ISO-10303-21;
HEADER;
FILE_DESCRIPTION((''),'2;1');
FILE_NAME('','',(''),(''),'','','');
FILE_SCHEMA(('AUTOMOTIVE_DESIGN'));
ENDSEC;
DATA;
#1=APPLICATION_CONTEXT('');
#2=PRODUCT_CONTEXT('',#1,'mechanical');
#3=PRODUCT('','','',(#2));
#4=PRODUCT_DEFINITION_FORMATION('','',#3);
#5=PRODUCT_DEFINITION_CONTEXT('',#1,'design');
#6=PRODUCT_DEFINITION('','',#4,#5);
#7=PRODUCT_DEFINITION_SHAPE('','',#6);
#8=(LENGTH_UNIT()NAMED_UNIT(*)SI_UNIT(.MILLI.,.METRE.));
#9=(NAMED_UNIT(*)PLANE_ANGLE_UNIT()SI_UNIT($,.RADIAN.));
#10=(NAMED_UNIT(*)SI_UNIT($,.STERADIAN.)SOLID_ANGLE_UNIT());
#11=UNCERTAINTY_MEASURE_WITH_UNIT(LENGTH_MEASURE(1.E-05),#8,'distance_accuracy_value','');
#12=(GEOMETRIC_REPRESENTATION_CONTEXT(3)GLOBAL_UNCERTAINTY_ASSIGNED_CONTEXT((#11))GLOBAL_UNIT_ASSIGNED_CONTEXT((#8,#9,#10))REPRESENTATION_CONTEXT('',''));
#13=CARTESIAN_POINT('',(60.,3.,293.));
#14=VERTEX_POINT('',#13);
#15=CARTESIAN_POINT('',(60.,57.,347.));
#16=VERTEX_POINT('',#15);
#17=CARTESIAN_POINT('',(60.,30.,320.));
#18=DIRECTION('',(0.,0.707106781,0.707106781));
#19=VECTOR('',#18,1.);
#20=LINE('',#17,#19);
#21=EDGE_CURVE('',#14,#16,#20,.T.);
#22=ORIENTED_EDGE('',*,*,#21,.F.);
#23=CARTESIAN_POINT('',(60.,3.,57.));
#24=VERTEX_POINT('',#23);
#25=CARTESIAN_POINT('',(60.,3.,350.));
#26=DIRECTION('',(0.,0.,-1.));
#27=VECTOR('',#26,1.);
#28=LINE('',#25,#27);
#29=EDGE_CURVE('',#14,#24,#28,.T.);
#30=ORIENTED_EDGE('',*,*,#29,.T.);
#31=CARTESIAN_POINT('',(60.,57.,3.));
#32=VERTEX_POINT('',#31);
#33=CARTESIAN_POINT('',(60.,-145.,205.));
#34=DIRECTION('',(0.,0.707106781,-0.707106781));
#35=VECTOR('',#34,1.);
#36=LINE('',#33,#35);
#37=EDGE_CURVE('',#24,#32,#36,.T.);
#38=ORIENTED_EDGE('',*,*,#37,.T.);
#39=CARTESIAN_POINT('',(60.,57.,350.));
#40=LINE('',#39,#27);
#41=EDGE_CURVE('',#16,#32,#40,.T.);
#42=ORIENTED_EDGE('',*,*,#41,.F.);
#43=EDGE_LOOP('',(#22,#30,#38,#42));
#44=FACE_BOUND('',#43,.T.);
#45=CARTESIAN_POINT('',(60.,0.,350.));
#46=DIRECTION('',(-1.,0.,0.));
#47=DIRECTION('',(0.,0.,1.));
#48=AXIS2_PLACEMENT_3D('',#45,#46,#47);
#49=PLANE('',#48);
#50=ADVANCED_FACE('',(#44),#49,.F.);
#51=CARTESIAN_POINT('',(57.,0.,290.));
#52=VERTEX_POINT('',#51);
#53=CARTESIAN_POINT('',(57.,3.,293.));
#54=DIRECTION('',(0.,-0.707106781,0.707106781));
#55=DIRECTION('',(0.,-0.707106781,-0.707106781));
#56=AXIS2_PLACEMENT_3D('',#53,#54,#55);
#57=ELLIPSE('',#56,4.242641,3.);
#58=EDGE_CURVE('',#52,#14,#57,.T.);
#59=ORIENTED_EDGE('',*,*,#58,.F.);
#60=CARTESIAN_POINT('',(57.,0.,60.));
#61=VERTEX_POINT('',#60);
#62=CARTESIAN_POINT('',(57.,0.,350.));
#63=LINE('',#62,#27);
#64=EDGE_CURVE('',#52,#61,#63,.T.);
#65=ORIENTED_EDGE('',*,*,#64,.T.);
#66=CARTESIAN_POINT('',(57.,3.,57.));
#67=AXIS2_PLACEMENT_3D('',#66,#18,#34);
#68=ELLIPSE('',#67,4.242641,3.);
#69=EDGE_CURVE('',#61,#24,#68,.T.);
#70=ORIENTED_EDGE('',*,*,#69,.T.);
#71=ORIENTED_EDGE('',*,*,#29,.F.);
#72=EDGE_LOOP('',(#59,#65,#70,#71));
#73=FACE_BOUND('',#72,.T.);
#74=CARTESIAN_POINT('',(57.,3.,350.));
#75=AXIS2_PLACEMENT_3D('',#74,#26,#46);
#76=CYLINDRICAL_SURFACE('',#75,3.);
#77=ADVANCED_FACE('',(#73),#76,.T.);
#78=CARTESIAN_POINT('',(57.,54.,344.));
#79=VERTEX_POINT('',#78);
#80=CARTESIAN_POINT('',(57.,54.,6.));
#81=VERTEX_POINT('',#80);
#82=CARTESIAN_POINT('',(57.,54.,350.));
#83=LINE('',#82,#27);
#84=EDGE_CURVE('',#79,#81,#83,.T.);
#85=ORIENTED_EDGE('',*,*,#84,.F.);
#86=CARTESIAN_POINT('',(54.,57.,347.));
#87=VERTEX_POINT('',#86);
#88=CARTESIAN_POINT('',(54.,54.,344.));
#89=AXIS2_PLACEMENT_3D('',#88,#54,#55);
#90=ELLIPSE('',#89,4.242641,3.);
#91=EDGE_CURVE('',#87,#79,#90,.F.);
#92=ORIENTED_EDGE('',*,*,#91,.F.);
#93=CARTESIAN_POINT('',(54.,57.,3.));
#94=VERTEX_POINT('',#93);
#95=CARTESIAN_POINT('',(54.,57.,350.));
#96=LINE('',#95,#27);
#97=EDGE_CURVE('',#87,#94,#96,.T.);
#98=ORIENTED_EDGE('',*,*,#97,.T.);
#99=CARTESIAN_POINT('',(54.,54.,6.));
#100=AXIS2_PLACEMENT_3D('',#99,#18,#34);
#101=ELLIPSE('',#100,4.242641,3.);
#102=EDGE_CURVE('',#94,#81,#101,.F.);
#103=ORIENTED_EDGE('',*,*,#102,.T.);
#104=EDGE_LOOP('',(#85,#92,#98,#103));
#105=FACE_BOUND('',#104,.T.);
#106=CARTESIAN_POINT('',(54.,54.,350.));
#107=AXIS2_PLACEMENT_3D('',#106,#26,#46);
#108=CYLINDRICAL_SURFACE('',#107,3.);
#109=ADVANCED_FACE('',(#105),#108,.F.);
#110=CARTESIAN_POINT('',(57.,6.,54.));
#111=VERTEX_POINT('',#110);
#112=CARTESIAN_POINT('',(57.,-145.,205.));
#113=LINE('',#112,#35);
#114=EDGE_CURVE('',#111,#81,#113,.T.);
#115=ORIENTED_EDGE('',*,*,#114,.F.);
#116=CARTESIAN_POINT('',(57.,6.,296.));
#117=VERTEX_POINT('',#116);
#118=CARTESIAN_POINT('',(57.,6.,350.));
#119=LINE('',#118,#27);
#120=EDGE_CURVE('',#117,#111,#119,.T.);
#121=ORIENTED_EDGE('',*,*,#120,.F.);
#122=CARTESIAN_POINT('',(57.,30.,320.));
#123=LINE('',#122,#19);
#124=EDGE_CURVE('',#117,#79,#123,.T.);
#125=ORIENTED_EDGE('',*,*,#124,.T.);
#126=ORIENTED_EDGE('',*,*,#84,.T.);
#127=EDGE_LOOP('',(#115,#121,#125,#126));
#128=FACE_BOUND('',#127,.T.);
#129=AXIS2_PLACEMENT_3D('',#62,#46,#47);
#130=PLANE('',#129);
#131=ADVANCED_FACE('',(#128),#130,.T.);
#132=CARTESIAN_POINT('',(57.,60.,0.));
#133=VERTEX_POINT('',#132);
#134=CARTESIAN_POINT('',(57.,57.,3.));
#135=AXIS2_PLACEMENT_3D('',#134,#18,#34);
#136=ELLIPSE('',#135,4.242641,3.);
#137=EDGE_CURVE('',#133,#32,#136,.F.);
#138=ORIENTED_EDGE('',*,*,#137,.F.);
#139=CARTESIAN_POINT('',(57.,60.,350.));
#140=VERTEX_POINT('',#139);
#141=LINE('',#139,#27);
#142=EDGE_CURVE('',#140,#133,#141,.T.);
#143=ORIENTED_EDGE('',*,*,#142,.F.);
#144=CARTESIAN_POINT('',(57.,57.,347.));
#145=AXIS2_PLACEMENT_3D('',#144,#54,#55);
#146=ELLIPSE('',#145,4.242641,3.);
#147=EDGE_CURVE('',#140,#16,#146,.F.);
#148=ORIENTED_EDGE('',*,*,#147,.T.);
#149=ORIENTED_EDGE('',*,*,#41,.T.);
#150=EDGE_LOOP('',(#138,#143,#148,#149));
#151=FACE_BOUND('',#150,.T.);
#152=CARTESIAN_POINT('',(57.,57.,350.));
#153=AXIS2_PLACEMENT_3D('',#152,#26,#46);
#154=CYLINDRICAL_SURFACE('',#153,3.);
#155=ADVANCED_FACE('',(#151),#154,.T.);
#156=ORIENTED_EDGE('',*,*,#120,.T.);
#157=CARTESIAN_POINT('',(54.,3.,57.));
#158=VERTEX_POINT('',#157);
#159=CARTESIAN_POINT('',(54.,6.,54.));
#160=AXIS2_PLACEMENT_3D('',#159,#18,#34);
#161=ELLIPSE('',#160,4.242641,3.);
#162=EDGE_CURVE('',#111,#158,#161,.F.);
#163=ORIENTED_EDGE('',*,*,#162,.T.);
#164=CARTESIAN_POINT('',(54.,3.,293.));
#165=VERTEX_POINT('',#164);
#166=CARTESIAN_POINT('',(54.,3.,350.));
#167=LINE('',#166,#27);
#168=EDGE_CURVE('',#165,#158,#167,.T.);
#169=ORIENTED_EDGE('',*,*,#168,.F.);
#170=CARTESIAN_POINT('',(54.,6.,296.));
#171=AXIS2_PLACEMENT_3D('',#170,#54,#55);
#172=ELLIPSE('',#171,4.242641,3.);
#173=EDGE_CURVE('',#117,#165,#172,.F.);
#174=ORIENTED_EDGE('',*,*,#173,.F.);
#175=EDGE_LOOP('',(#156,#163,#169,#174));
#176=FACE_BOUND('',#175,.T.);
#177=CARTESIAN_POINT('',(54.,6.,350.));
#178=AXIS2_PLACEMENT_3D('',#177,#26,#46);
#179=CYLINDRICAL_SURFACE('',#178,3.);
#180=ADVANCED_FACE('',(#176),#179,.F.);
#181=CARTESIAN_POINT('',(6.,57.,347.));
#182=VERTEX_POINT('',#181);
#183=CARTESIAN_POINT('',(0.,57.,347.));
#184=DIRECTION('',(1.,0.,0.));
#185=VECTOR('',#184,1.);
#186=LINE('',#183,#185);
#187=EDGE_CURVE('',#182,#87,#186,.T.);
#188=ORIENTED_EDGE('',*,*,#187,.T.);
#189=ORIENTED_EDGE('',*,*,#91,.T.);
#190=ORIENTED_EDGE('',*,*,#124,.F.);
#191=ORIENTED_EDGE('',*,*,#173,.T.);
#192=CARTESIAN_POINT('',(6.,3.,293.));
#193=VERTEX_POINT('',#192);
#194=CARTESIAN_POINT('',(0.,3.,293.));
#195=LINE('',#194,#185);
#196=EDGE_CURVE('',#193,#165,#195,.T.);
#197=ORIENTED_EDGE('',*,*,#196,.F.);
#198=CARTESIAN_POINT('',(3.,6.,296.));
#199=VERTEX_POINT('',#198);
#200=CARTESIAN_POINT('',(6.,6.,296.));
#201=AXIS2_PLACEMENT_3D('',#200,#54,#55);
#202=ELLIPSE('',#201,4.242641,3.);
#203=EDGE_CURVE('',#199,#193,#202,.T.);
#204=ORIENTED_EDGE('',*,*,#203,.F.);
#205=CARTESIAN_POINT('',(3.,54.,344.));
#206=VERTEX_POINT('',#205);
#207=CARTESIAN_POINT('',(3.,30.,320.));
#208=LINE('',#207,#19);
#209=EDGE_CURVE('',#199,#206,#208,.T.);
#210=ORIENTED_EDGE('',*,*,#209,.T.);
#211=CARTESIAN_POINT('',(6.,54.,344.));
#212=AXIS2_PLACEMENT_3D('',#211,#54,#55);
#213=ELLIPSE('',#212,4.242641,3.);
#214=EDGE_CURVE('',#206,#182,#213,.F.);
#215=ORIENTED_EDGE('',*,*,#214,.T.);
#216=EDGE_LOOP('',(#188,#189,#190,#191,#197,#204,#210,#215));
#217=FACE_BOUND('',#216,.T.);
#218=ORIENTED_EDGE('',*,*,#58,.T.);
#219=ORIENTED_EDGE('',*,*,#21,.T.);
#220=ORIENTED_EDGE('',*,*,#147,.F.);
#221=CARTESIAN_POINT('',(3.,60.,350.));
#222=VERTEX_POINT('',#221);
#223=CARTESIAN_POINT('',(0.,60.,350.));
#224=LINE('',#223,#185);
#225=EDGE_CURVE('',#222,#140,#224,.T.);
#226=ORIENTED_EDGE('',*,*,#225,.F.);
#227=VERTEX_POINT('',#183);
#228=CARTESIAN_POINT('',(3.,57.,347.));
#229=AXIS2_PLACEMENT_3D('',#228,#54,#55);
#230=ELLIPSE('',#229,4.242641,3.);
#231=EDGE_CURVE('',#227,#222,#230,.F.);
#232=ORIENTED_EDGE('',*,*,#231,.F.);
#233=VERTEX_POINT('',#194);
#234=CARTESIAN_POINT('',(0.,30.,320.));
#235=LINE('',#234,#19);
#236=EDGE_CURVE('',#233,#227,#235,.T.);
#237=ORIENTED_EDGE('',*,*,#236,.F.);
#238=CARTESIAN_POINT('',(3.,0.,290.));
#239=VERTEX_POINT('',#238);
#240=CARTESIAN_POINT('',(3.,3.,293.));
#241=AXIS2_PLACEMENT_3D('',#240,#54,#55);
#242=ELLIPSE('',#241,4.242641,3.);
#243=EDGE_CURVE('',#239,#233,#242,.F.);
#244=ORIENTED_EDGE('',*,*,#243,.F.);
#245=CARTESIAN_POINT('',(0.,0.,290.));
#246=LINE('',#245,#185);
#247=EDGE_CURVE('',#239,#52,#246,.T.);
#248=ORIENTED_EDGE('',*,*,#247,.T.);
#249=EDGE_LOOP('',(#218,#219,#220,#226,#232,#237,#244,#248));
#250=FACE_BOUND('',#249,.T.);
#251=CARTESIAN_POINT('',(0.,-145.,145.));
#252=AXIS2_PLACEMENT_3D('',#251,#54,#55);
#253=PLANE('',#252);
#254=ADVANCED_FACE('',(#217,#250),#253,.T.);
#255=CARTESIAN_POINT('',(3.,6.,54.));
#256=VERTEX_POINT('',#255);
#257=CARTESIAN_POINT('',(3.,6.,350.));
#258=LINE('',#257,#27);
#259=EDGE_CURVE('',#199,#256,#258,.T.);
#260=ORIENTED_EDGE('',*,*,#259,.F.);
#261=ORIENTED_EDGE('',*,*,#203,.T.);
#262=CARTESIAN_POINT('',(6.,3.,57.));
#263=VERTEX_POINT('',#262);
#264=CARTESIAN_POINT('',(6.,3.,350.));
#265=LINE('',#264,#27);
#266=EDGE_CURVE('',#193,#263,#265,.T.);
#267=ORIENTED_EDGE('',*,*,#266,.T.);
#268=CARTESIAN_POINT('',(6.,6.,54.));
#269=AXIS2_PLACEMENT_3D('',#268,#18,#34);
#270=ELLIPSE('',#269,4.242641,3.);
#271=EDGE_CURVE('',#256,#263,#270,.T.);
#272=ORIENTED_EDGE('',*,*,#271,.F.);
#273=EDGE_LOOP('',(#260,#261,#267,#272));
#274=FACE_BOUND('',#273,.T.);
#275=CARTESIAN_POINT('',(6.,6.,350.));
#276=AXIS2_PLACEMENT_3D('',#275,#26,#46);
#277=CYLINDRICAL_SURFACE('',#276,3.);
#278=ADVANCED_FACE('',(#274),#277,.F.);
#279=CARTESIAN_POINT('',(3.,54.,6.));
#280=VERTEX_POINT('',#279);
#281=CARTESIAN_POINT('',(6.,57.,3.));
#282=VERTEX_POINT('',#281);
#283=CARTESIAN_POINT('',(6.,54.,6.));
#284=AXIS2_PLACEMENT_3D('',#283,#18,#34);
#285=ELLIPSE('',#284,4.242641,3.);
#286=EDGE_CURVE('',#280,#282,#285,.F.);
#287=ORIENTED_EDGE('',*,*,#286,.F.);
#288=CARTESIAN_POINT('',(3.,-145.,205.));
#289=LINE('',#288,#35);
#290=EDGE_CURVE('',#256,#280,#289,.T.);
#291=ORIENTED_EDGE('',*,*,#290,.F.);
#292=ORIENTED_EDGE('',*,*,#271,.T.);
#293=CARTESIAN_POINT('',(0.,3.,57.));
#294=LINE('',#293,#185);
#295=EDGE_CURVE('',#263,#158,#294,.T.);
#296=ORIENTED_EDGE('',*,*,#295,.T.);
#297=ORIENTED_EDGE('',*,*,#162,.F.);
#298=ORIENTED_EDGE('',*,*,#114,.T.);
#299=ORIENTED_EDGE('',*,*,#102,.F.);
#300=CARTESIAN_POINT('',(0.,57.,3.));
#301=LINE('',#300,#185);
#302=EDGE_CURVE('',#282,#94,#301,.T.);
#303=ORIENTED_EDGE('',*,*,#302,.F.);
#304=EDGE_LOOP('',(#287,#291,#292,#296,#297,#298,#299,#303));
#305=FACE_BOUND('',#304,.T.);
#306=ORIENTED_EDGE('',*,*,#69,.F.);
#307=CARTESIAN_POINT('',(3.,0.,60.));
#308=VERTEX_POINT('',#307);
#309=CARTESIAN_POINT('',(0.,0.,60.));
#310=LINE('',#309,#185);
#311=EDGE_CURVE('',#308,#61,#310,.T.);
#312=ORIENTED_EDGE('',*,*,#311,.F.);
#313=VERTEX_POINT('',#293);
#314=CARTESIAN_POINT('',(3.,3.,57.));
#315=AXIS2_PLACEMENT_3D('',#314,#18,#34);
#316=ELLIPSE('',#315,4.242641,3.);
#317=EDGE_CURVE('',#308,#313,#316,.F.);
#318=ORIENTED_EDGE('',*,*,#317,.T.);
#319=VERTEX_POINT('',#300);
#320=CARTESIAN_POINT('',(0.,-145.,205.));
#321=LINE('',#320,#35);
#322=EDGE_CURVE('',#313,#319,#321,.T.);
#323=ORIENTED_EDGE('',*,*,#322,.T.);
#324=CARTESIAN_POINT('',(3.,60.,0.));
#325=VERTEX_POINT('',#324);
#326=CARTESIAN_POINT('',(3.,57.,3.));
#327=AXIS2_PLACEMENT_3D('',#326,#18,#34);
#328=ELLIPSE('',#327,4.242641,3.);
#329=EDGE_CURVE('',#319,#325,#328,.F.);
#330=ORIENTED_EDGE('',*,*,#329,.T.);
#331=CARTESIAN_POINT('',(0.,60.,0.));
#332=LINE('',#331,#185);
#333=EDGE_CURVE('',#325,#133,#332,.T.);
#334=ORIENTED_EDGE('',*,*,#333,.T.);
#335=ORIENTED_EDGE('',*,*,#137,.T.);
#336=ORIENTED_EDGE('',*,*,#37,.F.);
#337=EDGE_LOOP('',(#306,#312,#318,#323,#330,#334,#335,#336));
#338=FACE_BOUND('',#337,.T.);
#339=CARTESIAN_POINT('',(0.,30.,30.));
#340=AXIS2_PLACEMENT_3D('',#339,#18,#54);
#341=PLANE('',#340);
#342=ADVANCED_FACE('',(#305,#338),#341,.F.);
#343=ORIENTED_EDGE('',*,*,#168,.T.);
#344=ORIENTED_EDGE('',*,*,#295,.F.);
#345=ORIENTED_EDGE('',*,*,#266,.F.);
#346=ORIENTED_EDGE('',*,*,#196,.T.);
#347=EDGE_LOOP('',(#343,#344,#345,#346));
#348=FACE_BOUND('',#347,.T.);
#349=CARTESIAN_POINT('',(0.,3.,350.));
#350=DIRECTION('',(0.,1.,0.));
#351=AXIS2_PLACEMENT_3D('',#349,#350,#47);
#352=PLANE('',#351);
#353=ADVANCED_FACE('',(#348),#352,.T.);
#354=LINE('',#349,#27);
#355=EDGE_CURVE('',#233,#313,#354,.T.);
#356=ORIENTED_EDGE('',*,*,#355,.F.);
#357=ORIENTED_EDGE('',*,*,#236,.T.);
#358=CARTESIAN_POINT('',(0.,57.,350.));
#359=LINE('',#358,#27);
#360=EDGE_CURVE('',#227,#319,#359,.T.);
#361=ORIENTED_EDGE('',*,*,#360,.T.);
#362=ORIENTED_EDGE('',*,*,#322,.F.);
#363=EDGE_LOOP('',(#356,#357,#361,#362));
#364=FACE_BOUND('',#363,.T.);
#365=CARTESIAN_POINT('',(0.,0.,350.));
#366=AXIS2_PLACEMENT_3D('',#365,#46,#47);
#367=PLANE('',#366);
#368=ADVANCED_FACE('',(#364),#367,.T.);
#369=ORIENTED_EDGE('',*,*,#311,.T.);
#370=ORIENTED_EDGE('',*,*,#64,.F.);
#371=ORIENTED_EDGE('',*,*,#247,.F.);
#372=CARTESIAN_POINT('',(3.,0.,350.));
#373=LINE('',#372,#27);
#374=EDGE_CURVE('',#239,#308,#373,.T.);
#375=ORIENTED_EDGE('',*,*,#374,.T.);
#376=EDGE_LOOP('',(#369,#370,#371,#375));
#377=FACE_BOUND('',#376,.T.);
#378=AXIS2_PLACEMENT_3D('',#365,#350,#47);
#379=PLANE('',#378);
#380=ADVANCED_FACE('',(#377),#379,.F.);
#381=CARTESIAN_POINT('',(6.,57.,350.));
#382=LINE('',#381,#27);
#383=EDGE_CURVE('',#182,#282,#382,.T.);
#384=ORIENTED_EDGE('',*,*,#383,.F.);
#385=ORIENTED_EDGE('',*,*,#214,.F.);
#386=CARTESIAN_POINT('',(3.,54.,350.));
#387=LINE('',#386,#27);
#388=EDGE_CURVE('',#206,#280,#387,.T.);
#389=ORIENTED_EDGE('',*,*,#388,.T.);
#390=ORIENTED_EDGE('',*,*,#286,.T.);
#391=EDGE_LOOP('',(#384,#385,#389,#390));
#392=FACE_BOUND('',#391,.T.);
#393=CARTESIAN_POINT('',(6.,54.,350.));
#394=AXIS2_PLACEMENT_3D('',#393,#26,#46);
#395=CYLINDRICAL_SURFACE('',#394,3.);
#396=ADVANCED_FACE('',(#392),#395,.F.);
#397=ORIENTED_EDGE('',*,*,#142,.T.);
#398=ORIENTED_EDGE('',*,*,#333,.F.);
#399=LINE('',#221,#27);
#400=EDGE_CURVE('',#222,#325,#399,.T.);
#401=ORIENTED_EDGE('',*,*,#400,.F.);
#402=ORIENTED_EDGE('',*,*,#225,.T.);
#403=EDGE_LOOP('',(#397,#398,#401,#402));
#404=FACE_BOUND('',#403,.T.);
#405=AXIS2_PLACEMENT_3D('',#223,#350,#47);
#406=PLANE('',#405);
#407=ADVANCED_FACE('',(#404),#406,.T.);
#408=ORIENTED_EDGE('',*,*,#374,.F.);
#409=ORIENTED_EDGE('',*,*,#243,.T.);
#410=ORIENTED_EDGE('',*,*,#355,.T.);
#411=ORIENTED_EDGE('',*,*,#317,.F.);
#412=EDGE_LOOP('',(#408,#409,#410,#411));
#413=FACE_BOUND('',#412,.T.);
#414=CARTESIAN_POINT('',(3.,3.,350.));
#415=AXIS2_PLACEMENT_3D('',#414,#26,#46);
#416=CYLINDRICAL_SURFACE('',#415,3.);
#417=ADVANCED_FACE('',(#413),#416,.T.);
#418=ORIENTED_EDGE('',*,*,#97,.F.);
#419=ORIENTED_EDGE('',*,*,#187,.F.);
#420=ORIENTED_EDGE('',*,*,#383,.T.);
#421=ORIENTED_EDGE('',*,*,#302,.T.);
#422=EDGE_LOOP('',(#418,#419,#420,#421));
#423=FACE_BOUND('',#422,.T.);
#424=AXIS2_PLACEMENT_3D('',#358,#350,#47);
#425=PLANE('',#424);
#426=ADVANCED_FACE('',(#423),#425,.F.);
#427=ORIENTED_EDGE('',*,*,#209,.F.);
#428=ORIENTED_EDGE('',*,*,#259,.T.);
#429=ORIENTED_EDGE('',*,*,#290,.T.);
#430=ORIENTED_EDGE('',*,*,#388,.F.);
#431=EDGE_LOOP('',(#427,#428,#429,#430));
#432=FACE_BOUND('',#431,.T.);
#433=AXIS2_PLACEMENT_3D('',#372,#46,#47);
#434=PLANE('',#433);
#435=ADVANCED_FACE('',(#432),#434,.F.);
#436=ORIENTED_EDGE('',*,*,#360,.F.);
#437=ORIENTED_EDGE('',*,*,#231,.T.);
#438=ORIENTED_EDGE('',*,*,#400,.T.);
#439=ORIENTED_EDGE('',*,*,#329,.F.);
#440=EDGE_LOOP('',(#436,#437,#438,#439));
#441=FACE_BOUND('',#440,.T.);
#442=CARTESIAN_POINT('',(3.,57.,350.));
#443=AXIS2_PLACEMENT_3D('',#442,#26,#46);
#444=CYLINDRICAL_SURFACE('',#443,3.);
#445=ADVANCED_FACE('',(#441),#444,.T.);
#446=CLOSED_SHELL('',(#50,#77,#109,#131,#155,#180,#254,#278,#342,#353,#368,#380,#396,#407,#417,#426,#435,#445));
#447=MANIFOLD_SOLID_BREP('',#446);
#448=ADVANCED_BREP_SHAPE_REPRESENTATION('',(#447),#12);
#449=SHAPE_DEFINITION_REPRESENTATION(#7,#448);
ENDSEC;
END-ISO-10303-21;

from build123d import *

# Parameters (mm, degrees)
DODANIE_WYCI_GNI_CIE1_DEPTH = 350
SZKIC2_W                    = 140.103855023
SZKIC2_H                    = 128.958798703
WYTNIJ_WYCI_GNI_CIE1_DEPTH  = 297.057426862
SZKIC3_W                    = 180.28107172
SZKIC3_H                    = 138.969006622
WYTNIJ_WYCI_GNI_CIE2_DEPTH  = 327.955654485


with BuildPart() as part:
    # Szkic1 → Dodanie-wyciągnięcie1 (new body)
    with BuildSketch(Plane.XY):
        with BuildLine():
            ThreePointArc((0, 57), (0.878679656, 59.121320344), (3, 60))
            Line((3, 60), (57, 60))
            ThreePointArc((57, 60), (59.121320344, 59.121320344), (60, 57))
            Line((60, 57), (60, 3))
            ThreePointArc((60, 3), (59.121320344, 0.878679656), (57, 0))
            Line((57, 0), (3, 0))
            ThreePointArc((3, 0), (0.878679656, 0.878679656), (0, 3))
            Line((0, 3), (0, 57))
        make_face()
        with BuildLine():
            Line((3, 6), (3, 54))
            ThreePointArc((3, 54), (3.878679656, 56.121320344), (6, 57))
            Line((6, 57), (54, 57))
            ThreePointArc((54, 57), (56.121320344, 56.121320344), (57, 54))
            Line((57, 54), (57, 6))
            ThreePointArc((57, 6), (56.121320344, 3.878679656), (54, 3))
            Line((54, 3), (6, 3))
            ThreePointArc((6, 3), (3.878679656, 3.878679656), (3, 6))
        make_face(mode=Mode.SUBTRACT)
    extrude(amount=DODANIE_WYCI_GNI_CIE1_DEPTH)

    # Szkic2 → Wytnij-wyciągnięcie1 (cut, through all)
    with BuildSketch(Plane(origin=(0, -145, 145), x_dir=(1, 0, 0), z_dir=(0, -0.7071067811865488, 0.7071067811865464))):
        with Locations((39.65073467, 253.465731554)):
            Rectangle(SZKIC2_W, SZKIC2_H)
    extrude(amount=WYTNIJ_WYCI_GNI_CIE1_DEPTH, mode=Mode.SUBTRACT)

    # Szkic3 → Wytnij-wyciągnięcie2 (cut, through all)
    with BuildSketch(Plane(origin=(0, 30, 30), x_dir=(1, 0, 0), z_dir=(0, -0.7071067811865488, -0.7071067811865464))):
        with Locations((27.094402169, -5.623479723)):
            Rectangle(SZKIC3_W, SZKIC3_H)
    extrude(amount=WYTNIJ_WYCI_GNI_CIE2_DEPTH, mode=Mode.SUBTRACT)


solid = part.part
